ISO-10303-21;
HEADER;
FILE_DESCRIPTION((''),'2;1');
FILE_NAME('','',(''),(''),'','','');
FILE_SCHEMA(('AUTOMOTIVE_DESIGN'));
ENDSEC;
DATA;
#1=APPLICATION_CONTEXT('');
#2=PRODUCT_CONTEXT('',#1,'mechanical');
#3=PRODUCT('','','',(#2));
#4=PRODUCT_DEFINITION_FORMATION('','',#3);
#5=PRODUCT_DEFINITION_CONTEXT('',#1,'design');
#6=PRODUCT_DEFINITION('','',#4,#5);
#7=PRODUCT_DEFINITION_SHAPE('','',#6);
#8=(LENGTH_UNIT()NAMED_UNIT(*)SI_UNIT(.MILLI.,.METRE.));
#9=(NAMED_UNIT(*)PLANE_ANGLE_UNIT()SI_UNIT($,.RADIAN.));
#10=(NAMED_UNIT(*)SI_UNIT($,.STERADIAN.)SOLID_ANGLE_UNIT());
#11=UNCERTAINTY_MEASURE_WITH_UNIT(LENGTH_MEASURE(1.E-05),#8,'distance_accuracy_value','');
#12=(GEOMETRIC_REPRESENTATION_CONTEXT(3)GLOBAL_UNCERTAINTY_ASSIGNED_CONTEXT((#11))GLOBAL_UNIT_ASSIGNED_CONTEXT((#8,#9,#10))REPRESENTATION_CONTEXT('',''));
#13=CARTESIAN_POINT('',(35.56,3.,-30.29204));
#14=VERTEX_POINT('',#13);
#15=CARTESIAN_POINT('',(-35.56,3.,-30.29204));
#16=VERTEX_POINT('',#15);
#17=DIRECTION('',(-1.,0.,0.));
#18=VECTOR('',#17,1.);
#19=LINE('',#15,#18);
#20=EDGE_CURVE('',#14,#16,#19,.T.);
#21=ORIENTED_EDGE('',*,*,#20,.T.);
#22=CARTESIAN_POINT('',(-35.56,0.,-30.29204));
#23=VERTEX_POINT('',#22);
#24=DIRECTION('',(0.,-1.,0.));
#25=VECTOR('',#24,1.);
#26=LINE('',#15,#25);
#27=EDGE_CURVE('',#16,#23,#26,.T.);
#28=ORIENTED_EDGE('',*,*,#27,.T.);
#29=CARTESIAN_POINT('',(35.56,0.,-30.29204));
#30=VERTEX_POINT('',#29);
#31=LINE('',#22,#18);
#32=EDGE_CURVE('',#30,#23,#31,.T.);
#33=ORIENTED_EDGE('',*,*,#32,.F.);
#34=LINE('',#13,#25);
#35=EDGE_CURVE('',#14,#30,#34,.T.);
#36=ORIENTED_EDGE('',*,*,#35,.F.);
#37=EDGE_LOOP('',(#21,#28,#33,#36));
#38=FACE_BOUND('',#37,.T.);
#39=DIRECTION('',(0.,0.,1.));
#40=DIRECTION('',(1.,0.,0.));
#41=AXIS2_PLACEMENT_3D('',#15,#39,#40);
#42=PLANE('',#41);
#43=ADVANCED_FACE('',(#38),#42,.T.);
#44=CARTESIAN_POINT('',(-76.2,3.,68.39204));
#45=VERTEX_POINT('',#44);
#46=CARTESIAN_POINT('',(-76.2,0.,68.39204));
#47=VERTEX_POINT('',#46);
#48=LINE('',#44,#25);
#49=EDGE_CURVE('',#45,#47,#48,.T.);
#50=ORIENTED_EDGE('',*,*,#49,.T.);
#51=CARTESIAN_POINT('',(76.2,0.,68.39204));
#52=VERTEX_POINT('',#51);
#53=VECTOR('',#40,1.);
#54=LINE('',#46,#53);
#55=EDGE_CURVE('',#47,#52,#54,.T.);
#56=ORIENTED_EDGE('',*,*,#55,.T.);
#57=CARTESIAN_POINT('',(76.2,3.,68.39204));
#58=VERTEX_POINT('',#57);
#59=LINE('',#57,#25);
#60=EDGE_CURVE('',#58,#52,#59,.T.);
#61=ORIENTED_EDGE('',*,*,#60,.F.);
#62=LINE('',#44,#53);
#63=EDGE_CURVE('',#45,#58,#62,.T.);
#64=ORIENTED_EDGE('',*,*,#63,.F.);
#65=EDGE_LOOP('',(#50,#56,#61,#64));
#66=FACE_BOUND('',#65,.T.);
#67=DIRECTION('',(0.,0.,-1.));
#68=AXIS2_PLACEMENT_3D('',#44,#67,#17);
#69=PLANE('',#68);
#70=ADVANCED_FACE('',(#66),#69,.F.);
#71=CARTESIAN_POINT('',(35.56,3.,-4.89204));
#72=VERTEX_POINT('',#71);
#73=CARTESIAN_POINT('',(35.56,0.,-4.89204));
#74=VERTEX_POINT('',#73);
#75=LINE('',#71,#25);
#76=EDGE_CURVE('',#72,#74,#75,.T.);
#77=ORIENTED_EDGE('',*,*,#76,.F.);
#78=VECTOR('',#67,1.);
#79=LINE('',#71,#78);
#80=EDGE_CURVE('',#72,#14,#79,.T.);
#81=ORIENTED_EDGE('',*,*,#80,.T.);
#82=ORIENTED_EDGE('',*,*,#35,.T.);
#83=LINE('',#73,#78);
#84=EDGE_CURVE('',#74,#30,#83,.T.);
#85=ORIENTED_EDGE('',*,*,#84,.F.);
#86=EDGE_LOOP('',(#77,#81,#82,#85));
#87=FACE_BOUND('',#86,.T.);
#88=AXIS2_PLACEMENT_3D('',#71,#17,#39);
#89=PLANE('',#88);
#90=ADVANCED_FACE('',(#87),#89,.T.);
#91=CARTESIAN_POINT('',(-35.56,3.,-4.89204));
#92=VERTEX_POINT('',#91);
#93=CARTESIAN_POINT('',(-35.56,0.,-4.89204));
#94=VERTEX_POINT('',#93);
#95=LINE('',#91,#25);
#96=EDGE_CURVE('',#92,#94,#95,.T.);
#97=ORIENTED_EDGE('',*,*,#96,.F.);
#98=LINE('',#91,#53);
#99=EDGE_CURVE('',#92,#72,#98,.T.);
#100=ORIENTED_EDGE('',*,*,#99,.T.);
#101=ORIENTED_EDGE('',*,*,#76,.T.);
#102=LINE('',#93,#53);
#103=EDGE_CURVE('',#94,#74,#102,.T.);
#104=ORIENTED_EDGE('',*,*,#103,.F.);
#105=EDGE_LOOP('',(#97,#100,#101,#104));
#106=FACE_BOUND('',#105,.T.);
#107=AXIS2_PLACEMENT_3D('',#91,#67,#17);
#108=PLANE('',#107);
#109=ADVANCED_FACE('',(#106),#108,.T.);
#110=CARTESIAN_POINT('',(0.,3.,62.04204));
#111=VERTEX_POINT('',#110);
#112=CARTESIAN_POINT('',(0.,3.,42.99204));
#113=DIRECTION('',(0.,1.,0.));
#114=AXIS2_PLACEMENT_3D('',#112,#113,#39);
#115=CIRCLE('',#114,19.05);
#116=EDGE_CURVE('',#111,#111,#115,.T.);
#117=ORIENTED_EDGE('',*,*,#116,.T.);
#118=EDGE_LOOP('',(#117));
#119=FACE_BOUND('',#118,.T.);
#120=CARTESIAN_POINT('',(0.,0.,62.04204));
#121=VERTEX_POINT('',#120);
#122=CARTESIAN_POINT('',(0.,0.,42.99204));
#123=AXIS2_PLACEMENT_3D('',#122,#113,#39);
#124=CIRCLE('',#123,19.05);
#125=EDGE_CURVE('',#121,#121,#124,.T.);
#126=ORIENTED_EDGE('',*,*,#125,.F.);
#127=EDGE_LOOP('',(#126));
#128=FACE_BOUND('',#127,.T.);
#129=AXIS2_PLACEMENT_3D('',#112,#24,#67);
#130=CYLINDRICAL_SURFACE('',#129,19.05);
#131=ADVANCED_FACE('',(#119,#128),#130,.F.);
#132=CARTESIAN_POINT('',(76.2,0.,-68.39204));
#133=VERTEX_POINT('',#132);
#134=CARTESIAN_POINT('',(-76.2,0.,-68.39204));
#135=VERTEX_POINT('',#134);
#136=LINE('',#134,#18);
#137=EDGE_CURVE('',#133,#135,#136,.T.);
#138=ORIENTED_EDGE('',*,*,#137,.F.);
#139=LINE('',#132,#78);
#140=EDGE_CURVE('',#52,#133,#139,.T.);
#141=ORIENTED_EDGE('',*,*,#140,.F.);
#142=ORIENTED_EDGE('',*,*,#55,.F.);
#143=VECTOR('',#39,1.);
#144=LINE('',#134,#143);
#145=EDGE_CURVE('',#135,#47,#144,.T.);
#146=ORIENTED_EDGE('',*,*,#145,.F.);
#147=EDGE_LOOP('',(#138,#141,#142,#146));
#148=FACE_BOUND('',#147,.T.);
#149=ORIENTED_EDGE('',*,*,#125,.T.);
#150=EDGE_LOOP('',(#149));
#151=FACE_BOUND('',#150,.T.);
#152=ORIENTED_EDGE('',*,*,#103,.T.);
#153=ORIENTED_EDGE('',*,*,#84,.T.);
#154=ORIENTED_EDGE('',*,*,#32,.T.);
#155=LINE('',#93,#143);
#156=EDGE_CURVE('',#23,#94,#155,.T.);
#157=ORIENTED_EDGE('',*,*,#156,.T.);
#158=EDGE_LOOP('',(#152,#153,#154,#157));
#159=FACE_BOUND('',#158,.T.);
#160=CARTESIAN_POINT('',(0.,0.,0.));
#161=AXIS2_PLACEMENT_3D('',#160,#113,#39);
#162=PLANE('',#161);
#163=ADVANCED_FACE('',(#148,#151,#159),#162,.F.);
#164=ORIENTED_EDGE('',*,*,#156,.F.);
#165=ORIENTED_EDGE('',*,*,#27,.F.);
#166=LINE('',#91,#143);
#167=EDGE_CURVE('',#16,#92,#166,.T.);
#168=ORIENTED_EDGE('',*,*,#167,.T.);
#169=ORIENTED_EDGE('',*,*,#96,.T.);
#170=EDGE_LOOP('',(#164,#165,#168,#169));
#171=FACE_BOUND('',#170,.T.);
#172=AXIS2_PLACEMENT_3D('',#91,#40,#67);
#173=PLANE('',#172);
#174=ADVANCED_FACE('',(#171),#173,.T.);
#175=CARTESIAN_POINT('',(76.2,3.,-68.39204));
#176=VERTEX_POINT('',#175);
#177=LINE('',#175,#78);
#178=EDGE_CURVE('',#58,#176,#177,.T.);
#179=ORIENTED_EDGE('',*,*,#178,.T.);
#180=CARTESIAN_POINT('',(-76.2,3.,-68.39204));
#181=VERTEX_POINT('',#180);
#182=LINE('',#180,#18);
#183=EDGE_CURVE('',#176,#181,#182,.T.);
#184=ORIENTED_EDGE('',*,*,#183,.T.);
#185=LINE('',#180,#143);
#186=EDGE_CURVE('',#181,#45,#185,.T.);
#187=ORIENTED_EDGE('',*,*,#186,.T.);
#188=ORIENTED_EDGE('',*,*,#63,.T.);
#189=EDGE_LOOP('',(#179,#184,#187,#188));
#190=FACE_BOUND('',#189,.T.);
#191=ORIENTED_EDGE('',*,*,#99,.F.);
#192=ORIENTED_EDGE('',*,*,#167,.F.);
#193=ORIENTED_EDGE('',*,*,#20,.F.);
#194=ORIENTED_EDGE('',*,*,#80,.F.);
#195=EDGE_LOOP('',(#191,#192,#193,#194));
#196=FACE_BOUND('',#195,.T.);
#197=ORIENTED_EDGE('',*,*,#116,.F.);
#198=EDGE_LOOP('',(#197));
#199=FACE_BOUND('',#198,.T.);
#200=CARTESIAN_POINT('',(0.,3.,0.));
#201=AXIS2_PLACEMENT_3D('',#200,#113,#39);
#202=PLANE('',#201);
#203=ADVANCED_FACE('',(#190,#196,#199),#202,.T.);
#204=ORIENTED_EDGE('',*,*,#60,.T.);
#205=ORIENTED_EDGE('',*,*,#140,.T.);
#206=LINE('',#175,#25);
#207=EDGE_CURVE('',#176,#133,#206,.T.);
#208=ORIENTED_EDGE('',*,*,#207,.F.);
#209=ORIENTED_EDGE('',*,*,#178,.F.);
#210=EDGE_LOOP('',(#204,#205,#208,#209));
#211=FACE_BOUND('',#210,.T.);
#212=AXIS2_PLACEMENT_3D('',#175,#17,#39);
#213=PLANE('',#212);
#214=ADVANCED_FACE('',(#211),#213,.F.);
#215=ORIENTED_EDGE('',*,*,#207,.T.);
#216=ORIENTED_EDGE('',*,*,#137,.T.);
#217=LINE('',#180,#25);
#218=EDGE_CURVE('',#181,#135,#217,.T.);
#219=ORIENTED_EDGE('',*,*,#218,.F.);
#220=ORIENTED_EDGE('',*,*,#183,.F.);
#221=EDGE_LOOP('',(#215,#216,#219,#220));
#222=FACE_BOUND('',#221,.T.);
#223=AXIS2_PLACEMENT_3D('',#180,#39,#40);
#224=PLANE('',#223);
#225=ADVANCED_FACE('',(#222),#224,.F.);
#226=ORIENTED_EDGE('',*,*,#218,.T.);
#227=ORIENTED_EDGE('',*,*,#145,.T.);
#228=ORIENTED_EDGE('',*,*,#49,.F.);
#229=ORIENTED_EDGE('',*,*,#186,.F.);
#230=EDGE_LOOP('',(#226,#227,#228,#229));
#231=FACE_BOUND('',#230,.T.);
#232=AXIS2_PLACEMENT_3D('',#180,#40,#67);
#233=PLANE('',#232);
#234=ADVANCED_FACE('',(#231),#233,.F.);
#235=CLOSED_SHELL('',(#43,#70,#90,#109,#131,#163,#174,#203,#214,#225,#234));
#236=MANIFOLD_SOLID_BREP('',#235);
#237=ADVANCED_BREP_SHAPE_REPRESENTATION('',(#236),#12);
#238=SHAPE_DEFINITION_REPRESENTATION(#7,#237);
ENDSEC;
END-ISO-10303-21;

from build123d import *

# Parameters (mm, degrees)
SKETCH1_W           = 152.4
SKETCH1_H           = 136.78408
SKETCH1_R           = 19.05
SKETCH1_W_2         = 71.12
SKETCH1_H_2         = 25.4
BOSS_EXTRUDE1_DEPTH = 3


with BuildPart() as part:
    # Sketch1 → Boss-Extrude1 (new body)
    with BuildSketch(Plane(origin=(0, 0, 0), x_dir=(1, 0, 0), z_dir=(0, 1, 0))):
        Rectangle(SKETCH1_W, SKETCH1_H)
        with Locations(Location((0, -42.99204, 0), (0, 0, 270))):
            Circle(SKETCH1_R, mode=Mode.SUBTRACT)
        with Locations((0, 17.59204)):
            Rectangle(SKETCH1_W_2, SKETCH1_H_2, mode=Mode.SUBTRACT)
    extrude(amount=BOSS_EXTRUDE1_DEPTH)


solid = part.part
